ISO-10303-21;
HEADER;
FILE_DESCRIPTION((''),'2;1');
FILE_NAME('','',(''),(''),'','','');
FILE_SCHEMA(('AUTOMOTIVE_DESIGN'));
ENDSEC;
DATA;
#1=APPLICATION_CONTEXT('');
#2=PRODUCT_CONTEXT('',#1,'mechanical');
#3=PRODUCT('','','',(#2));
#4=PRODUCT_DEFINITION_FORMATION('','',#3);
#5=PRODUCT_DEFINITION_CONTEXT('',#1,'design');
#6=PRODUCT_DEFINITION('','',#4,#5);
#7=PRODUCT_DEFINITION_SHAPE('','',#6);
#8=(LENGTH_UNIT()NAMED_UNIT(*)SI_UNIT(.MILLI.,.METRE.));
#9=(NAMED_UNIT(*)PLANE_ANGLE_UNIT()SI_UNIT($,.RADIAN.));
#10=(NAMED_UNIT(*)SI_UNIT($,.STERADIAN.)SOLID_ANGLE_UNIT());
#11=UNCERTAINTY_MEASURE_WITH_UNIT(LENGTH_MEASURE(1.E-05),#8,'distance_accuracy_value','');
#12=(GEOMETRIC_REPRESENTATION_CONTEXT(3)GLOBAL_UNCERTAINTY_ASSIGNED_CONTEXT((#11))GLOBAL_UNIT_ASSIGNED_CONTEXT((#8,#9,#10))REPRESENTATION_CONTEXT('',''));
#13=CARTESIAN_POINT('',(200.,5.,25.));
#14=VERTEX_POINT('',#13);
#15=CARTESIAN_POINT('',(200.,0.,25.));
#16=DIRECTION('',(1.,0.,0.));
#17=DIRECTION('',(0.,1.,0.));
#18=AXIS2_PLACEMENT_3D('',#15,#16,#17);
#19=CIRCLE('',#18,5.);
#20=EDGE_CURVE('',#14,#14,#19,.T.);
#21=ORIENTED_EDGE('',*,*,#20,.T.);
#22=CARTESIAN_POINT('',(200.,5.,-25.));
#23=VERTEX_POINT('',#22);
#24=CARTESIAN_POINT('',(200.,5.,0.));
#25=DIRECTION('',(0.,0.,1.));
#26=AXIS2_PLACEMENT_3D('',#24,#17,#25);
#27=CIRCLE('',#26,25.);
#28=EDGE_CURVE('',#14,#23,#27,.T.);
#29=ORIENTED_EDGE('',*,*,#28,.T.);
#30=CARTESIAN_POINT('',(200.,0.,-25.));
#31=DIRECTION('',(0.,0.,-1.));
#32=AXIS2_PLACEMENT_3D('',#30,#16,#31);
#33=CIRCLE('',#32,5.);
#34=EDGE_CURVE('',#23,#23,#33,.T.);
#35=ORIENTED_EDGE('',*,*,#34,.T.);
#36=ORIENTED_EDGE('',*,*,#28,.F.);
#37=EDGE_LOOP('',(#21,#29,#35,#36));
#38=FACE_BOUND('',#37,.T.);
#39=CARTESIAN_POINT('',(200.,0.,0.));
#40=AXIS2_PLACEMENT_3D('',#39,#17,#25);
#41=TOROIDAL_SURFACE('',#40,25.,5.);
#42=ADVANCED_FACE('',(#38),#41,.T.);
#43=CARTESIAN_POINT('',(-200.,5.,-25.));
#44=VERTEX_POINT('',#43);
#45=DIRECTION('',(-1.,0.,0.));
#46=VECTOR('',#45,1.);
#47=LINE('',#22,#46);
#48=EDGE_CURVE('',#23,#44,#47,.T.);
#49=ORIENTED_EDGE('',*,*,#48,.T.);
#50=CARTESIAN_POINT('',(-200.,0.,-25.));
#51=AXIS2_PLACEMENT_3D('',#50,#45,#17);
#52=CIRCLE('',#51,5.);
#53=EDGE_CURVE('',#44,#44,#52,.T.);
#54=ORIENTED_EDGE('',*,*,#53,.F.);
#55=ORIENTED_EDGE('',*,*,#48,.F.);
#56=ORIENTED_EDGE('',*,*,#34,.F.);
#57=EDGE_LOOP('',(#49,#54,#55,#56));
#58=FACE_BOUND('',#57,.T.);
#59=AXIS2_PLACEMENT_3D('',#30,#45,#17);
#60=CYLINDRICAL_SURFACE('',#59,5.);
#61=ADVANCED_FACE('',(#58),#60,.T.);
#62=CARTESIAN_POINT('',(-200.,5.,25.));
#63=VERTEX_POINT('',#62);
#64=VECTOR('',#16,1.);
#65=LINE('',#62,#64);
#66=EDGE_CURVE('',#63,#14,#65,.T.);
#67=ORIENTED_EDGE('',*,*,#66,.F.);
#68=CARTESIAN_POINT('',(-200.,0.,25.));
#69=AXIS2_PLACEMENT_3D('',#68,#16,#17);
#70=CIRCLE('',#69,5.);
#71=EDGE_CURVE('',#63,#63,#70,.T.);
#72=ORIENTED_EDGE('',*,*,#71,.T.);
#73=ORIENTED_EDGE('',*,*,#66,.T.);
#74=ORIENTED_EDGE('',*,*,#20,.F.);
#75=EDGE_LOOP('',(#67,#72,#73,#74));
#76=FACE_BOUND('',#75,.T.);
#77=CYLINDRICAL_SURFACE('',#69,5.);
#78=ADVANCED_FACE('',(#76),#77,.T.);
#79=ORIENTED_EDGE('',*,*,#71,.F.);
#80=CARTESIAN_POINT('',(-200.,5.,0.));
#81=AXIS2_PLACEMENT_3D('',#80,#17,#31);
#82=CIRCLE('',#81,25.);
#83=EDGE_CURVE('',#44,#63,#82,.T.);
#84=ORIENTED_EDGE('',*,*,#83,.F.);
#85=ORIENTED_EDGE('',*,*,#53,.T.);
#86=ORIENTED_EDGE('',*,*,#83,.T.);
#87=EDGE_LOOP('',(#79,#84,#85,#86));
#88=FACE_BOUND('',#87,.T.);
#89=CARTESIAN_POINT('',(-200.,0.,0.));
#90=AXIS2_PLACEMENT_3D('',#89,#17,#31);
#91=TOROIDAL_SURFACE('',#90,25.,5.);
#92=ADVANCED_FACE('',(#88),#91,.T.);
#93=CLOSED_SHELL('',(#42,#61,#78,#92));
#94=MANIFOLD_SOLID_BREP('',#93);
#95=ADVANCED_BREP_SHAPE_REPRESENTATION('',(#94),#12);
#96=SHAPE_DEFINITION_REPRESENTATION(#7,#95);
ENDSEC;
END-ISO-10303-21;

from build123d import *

# Parameters (mm, degrees)
F1_R = 5


with BuildPart() as f2:
    # F2: sweep along a path in F0
    with BuildLine(Plane.XZ) as f2_path:
        Line((-200, 25), (200, 25))
        ThreePointArc((200, 25), (225, 0), (200, -25))
        Line((200, -25), (-200, -25))
        ThreePointArc((-200, -25), (-225, 0), (-200, 25))
    # F1 (on Right) → F2 (sweep)
    with BuildSketch(Plane.YZ):
        with Locations((0, 25)):
            Circle(F1_R)
    sweep(path=f2_path.line)


solid = f2.part
